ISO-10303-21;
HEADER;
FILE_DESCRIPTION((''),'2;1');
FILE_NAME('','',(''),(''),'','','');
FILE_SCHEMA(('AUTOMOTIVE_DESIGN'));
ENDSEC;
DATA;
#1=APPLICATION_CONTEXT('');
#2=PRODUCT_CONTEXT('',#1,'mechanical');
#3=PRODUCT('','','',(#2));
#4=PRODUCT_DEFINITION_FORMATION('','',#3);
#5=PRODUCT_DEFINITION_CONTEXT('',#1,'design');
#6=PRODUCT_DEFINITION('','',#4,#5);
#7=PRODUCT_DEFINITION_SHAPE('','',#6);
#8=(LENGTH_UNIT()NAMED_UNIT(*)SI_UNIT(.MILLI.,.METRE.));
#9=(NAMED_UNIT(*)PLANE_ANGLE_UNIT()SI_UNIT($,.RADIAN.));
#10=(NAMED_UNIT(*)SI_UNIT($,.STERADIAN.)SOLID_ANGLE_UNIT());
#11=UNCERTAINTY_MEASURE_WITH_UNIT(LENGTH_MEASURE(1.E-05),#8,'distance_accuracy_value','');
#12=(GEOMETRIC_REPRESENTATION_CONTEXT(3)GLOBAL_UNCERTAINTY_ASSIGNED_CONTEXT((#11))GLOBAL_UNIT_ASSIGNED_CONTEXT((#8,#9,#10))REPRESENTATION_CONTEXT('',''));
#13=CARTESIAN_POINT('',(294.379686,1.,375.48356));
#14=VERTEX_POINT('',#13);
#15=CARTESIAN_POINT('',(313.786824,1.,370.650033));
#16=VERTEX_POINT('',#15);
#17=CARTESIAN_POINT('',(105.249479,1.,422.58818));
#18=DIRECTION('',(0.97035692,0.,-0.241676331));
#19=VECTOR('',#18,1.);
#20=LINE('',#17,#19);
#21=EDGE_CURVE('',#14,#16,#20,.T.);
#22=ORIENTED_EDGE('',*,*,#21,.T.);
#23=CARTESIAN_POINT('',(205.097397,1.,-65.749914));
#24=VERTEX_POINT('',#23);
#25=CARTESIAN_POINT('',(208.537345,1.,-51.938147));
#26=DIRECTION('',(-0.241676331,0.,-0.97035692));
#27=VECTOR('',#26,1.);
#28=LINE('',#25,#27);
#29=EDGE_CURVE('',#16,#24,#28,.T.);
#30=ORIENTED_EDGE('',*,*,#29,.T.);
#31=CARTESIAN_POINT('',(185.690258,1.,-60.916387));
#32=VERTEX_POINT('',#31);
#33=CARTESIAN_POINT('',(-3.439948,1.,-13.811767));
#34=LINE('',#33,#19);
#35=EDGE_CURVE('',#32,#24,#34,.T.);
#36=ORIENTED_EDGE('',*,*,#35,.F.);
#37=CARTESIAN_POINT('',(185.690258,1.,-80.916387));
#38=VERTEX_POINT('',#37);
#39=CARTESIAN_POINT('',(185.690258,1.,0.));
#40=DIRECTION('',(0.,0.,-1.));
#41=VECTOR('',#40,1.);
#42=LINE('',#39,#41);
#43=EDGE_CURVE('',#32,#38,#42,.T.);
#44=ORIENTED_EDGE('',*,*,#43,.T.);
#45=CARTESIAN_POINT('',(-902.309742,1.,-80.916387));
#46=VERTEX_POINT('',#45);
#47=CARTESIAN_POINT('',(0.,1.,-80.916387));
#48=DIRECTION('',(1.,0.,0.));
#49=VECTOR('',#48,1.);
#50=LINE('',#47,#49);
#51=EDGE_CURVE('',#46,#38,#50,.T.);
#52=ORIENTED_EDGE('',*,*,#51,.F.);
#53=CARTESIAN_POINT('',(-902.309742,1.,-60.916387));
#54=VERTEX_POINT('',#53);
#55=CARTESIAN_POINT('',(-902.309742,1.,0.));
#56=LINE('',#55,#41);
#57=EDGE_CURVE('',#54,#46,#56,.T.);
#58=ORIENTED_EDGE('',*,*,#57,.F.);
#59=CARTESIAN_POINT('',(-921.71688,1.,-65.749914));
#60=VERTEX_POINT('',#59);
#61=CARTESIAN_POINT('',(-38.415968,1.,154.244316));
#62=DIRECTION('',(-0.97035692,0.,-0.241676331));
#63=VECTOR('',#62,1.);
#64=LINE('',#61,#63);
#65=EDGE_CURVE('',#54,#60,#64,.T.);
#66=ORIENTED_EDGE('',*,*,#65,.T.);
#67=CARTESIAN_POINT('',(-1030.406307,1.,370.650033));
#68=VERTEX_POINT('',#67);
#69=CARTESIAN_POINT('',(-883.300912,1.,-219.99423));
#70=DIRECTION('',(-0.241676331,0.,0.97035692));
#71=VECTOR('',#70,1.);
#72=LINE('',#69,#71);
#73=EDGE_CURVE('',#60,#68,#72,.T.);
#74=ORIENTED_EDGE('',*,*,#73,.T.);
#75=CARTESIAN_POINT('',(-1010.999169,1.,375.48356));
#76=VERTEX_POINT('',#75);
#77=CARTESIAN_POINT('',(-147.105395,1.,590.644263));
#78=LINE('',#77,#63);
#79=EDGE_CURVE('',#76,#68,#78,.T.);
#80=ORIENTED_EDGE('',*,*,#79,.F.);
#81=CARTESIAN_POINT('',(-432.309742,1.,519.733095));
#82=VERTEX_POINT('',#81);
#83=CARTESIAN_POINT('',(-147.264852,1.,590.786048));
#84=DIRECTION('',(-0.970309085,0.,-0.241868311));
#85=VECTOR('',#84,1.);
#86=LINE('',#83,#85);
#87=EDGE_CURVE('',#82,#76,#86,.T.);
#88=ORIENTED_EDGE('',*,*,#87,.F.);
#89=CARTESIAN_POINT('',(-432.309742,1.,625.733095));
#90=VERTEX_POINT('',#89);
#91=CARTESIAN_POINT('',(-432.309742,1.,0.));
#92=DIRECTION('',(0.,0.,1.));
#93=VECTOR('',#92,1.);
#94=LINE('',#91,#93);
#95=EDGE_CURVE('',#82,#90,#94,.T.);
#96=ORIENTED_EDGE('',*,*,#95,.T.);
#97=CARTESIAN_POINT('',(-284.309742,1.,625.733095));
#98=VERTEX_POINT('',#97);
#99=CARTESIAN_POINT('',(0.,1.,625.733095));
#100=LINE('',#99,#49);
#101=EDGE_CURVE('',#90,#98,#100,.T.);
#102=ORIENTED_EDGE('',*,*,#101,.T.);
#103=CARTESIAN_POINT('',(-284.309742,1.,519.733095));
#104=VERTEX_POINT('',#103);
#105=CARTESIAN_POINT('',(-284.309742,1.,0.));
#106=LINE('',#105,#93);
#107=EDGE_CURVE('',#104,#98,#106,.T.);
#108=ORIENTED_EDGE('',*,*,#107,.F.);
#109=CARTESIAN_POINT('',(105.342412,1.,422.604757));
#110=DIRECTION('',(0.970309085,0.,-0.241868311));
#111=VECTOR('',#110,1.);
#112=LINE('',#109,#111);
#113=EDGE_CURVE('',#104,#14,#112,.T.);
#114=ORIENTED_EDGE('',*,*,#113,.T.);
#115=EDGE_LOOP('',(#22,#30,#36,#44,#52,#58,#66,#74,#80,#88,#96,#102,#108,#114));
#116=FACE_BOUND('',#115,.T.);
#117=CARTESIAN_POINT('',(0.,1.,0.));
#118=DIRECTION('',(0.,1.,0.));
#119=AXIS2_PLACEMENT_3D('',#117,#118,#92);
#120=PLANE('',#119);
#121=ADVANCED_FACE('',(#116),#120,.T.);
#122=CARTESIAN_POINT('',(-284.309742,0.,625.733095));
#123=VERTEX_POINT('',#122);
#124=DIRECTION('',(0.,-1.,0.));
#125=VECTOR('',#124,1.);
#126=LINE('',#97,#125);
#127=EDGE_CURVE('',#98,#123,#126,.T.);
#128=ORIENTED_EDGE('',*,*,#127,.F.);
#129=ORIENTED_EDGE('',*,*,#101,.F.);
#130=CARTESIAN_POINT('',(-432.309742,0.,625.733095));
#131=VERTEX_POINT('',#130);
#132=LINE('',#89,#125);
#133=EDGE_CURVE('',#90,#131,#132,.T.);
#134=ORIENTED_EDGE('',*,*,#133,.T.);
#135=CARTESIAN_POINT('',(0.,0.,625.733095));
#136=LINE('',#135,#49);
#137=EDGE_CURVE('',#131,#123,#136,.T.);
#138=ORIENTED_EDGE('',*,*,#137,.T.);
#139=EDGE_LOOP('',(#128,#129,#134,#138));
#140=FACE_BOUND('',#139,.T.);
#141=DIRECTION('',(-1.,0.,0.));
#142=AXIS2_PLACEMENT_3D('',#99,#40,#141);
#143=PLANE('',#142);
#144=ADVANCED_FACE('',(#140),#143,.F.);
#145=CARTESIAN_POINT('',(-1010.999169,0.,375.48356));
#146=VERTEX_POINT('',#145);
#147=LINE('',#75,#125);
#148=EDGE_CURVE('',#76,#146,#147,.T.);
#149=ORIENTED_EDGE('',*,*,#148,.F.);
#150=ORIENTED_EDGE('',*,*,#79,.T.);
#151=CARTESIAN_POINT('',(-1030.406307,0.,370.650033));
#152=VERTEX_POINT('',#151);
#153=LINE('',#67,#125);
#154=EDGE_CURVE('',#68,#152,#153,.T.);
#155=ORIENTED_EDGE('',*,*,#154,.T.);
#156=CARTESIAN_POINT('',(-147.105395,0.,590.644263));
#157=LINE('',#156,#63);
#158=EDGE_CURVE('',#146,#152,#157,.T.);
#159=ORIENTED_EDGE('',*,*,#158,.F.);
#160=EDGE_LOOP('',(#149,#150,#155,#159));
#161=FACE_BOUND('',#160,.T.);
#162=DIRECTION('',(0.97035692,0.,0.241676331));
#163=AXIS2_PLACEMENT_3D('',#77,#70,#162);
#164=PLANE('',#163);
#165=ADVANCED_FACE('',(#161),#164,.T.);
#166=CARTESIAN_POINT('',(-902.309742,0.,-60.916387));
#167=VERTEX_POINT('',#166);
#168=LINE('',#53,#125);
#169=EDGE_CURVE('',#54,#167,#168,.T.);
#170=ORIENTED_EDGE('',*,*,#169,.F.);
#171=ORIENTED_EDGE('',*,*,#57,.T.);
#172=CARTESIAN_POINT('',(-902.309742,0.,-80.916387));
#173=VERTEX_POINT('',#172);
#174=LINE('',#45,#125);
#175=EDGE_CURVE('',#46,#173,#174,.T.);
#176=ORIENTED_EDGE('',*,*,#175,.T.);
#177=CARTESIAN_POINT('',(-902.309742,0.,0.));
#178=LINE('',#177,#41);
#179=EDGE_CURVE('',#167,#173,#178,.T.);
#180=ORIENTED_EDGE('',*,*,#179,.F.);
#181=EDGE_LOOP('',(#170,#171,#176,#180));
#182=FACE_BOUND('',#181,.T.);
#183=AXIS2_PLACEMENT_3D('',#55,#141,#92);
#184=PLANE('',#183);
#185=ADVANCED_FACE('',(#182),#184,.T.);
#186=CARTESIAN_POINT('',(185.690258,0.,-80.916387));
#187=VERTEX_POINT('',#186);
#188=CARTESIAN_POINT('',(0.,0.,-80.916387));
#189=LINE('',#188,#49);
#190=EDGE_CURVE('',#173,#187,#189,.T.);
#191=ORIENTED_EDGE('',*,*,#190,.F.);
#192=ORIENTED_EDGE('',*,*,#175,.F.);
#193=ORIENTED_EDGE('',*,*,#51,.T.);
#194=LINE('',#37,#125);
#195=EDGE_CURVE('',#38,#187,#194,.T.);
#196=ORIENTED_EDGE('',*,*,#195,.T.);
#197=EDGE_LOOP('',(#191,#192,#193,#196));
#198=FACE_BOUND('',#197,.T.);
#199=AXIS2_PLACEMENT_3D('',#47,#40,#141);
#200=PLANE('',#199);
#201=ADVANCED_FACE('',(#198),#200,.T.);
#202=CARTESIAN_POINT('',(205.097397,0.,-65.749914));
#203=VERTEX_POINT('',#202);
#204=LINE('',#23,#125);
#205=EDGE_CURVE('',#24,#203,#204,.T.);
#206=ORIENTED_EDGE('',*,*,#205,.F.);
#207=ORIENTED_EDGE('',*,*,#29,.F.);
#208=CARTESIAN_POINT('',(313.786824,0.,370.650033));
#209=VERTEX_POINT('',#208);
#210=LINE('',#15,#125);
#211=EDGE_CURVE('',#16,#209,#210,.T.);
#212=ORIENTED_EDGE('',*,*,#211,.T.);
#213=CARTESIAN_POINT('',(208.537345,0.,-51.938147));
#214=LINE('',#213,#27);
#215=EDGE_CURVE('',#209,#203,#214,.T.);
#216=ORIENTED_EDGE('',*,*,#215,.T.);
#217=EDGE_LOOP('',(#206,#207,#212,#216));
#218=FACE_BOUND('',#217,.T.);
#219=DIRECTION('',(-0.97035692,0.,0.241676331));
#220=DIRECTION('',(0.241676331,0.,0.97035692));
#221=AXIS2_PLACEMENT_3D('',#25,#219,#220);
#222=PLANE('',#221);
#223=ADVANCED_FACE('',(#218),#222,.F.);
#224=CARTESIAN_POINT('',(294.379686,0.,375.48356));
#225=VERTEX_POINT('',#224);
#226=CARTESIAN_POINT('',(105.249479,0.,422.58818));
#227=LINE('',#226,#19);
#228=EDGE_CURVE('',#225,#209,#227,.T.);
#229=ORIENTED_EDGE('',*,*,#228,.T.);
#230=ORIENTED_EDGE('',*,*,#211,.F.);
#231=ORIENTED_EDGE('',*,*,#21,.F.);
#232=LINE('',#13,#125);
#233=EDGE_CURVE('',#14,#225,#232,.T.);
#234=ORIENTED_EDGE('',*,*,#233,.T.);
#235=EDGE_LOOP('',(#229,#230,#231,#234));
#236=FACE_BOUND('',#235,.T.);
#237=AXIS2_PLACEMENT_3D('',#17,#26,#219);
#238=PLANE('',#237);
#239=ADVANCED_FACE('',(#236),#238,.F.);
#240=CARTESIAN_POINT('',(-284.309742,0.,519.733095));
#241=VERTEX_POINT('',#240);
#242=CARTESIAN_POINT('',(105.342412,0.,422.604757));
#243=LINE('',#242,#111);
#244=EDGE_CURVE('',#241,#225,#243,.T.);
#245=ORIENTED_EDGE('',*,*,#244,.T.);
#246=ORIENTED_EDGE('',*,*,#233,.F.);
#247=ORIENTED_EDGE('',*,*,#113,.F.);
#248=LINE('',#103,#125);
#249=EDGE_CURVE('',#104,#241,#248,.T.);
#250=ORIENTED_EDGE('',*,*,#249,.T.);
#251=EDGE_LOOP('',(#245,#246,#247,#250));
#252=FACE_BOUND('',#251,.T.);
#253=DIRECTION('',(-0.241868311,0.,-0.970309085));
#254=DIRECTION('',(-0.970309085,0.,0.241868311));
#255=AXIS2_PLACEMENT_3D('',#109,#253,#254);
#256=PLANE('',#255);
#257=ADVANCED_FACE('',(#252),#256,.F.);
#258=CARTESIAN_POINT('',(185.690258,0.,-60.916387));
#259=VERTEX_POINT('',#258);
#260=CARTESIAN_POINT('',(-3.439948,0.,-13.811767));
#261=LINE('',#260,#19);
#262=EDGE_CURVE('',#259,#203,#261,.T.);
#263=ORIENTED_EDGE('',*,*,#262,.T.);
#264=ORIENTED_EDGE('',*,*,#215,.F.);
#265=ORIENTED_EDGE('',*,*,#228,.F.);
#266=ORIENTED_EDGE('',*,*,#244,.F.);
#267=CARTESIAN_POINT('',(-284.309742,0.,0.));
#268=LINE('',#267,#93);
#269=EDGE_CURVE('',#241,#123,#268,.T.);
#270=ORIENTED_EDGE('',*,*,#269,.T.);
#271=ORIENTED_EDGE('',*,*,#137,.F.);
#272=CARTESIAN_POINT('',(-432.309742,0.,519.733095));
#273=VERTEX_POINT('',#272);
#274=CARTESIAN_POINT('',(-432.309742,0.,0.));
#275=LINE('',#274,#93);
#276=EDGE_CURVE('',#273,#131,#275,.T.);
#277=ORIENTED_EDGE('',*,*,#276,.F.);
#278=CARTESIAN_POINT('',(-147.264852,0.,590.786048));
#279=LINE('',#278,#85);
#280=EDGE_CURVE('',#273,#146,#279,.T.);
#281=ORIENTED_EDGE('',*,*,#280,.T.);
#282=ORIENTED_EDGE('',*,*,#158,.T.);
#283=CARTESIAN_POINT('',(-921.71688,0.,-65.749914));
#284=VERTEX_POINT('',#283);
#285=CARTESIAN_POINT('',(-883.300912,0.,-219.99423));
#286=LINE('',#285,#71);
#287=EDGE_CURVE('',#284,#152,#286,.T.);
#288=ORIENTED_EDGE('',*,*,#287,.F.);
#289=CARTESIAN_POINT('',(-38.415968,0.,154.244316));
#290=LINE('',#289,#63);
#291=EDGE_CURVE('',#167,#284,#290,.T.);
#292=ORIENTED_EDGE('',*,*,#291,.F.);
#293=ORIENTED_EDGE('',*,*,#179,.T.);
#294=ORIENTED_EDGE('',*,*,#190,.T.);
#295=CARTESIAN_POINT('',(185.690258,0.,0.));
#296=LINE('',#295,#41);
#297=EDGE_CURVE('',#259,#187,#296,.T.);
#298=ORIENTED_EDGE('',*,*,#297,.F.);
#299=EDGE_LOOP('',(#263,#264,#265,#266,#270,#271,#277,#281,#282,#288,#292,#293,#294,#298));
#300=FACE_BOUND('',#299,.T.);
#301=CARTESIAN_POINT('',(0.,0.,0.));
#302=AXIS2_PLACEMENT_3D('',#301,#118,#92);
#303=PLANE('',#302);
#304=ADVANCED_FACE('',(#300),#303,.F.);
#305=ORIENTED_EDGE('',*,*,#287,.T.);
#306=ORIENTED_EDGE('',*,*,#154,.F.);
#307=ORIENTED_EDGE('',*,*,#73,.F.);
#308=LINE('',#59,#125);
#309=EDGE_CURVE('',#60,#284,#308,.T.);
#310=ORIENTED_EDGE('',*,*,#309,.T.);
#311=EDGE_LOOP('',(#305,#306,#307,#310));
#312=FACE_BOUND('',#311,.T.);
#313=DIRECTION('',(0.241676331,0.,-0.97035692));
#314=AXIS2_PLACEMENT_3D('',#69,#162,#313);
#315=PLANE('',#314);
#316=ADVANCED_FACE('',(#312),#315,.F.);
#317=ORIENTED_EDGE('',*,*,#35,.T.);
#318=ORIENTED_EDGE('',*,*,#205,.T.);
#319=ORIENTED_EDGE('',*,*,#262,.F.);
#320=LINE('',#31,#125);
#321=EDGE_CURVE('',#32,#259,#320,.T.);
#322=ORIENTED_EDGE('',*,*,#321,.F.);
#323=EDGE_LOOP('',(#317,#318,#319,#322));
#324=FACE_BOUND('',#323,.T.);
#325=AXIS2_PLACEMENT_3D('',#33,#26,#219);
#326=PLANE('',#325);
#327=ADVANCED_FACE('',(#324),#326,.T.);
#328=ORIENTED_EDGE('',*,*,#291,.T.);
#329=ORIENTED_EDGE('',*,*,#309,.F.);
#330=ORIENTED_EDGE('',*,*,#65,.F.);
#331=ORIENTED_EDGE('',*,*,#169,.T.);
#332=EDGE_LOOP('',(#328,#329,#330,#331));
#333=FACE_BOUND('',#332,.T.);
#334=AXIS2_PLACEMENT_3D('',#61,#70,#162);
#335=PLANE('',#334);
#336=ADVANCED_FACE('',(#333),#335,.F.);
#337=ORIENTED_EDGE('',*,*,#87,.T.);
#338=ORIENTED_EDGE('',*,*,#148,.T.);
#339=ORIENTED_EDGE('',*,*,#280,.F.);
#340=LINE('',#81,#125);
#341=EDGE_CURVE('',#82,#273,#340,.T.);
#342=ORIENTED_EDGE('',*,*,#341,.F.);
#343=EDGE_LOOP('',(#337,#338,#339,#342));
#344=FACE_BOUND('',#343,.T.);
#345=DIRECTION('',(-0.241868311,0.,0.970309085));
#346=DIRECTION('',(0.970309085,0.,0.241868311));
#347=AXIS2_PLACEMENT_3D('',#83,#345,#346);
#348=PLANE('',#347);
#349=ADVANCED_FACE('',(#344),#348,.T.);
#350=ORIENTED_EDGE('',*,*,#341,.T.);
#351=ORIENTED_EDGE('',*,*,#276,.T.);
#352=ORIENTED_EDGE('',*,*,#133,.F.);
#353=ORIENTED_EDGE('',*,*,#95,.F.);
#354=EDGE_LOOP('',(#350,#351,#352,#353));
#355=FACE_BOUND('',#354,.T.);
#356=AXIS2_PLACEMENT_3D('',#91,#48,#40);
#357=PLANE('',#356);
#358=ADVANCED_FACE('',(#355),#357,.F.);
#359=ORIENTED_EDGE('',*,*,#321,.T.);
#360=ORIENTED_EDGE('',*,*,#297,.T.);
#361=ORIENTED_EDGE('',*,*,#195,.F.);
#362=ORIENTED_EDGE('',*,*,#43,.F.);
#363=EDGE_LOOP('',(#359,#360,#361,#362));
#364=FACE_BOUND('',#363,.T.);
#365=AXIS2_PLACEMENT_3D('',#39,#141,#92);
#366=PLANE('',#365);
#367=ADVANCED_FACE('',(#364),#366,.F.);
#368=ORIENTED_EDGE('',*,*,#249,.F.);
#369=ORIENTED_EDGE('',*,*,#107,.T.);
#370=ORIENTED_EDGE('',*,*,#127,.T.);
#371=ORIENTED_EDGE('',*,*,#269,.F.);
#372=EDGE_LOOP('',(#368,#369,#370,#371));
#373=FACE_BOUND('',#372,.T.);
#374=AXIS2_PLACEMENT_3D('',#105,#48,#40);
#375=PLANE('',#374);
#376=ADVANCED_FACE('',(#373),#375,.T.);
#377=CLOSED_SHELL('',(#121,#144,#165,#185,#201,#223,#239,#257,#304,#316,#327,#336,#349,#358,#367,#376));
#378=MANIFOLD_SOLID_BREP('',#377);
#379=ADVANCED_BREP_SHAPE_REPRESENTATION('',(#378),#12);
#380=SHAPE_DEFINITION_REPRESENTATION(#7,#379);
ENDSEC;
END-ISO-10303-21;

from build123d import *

# Parameters (mm, degrees)
SKETCH1_W           = 148
SKETCH1_H           = 106
SKETCH1_W_2         = 1088
SKETCH1_H_2         = 20
BOSS_EXTRUDE1_DEPTH = 1


with BuildPart() as part:
    # Sketch1 → Boss-Extrude1 (new body)
    with BuildSketch(Plane(origin=(0, 0, 0), x_dir=(1, 0, 0), z_dir=(0, 1, 0))):
        Polygon((-284.309741609, -519.73309486), (294.379685644, -375.483559699), (185.690258391, 60.9163871), align=None)
        with Locations((-358.309741609, -572.73309486)):
            Rectangle(SKETCH1_W, SKETCH1_H)
        Polygon((294.379685644, -375.483559699), (313.786824034, -370.650033087), (205.097396781, 65.749913711), (185.690258391, 60.9163871), align=None)
        with Locations((-358.309741609, 70.9163871)):
            Rectangle(SKETCH1_W_2, SKETCH1_H_2)
        Polygon((-902.309741609, 60.9163871), (-921.71688, 65.749913711), (-1030.406307253, -370.650033087), (-1010.999168863, -375.483559699), align=None)
        Polygon((-1010.999168863, -375.483559699), (-902.309741609, 60.9163871), (-432.309741609, -519.73309486), align=None)
        Polygon((185.690258391, 60.9163871), (-284.309741609, -519.73309486), (-432.309741609, -519.73309486), (-902.309741609, 60.9163871), align=None)
    extrude(amount=BOSS_EXTRUDE1_DEPTH)


solid = part.part
